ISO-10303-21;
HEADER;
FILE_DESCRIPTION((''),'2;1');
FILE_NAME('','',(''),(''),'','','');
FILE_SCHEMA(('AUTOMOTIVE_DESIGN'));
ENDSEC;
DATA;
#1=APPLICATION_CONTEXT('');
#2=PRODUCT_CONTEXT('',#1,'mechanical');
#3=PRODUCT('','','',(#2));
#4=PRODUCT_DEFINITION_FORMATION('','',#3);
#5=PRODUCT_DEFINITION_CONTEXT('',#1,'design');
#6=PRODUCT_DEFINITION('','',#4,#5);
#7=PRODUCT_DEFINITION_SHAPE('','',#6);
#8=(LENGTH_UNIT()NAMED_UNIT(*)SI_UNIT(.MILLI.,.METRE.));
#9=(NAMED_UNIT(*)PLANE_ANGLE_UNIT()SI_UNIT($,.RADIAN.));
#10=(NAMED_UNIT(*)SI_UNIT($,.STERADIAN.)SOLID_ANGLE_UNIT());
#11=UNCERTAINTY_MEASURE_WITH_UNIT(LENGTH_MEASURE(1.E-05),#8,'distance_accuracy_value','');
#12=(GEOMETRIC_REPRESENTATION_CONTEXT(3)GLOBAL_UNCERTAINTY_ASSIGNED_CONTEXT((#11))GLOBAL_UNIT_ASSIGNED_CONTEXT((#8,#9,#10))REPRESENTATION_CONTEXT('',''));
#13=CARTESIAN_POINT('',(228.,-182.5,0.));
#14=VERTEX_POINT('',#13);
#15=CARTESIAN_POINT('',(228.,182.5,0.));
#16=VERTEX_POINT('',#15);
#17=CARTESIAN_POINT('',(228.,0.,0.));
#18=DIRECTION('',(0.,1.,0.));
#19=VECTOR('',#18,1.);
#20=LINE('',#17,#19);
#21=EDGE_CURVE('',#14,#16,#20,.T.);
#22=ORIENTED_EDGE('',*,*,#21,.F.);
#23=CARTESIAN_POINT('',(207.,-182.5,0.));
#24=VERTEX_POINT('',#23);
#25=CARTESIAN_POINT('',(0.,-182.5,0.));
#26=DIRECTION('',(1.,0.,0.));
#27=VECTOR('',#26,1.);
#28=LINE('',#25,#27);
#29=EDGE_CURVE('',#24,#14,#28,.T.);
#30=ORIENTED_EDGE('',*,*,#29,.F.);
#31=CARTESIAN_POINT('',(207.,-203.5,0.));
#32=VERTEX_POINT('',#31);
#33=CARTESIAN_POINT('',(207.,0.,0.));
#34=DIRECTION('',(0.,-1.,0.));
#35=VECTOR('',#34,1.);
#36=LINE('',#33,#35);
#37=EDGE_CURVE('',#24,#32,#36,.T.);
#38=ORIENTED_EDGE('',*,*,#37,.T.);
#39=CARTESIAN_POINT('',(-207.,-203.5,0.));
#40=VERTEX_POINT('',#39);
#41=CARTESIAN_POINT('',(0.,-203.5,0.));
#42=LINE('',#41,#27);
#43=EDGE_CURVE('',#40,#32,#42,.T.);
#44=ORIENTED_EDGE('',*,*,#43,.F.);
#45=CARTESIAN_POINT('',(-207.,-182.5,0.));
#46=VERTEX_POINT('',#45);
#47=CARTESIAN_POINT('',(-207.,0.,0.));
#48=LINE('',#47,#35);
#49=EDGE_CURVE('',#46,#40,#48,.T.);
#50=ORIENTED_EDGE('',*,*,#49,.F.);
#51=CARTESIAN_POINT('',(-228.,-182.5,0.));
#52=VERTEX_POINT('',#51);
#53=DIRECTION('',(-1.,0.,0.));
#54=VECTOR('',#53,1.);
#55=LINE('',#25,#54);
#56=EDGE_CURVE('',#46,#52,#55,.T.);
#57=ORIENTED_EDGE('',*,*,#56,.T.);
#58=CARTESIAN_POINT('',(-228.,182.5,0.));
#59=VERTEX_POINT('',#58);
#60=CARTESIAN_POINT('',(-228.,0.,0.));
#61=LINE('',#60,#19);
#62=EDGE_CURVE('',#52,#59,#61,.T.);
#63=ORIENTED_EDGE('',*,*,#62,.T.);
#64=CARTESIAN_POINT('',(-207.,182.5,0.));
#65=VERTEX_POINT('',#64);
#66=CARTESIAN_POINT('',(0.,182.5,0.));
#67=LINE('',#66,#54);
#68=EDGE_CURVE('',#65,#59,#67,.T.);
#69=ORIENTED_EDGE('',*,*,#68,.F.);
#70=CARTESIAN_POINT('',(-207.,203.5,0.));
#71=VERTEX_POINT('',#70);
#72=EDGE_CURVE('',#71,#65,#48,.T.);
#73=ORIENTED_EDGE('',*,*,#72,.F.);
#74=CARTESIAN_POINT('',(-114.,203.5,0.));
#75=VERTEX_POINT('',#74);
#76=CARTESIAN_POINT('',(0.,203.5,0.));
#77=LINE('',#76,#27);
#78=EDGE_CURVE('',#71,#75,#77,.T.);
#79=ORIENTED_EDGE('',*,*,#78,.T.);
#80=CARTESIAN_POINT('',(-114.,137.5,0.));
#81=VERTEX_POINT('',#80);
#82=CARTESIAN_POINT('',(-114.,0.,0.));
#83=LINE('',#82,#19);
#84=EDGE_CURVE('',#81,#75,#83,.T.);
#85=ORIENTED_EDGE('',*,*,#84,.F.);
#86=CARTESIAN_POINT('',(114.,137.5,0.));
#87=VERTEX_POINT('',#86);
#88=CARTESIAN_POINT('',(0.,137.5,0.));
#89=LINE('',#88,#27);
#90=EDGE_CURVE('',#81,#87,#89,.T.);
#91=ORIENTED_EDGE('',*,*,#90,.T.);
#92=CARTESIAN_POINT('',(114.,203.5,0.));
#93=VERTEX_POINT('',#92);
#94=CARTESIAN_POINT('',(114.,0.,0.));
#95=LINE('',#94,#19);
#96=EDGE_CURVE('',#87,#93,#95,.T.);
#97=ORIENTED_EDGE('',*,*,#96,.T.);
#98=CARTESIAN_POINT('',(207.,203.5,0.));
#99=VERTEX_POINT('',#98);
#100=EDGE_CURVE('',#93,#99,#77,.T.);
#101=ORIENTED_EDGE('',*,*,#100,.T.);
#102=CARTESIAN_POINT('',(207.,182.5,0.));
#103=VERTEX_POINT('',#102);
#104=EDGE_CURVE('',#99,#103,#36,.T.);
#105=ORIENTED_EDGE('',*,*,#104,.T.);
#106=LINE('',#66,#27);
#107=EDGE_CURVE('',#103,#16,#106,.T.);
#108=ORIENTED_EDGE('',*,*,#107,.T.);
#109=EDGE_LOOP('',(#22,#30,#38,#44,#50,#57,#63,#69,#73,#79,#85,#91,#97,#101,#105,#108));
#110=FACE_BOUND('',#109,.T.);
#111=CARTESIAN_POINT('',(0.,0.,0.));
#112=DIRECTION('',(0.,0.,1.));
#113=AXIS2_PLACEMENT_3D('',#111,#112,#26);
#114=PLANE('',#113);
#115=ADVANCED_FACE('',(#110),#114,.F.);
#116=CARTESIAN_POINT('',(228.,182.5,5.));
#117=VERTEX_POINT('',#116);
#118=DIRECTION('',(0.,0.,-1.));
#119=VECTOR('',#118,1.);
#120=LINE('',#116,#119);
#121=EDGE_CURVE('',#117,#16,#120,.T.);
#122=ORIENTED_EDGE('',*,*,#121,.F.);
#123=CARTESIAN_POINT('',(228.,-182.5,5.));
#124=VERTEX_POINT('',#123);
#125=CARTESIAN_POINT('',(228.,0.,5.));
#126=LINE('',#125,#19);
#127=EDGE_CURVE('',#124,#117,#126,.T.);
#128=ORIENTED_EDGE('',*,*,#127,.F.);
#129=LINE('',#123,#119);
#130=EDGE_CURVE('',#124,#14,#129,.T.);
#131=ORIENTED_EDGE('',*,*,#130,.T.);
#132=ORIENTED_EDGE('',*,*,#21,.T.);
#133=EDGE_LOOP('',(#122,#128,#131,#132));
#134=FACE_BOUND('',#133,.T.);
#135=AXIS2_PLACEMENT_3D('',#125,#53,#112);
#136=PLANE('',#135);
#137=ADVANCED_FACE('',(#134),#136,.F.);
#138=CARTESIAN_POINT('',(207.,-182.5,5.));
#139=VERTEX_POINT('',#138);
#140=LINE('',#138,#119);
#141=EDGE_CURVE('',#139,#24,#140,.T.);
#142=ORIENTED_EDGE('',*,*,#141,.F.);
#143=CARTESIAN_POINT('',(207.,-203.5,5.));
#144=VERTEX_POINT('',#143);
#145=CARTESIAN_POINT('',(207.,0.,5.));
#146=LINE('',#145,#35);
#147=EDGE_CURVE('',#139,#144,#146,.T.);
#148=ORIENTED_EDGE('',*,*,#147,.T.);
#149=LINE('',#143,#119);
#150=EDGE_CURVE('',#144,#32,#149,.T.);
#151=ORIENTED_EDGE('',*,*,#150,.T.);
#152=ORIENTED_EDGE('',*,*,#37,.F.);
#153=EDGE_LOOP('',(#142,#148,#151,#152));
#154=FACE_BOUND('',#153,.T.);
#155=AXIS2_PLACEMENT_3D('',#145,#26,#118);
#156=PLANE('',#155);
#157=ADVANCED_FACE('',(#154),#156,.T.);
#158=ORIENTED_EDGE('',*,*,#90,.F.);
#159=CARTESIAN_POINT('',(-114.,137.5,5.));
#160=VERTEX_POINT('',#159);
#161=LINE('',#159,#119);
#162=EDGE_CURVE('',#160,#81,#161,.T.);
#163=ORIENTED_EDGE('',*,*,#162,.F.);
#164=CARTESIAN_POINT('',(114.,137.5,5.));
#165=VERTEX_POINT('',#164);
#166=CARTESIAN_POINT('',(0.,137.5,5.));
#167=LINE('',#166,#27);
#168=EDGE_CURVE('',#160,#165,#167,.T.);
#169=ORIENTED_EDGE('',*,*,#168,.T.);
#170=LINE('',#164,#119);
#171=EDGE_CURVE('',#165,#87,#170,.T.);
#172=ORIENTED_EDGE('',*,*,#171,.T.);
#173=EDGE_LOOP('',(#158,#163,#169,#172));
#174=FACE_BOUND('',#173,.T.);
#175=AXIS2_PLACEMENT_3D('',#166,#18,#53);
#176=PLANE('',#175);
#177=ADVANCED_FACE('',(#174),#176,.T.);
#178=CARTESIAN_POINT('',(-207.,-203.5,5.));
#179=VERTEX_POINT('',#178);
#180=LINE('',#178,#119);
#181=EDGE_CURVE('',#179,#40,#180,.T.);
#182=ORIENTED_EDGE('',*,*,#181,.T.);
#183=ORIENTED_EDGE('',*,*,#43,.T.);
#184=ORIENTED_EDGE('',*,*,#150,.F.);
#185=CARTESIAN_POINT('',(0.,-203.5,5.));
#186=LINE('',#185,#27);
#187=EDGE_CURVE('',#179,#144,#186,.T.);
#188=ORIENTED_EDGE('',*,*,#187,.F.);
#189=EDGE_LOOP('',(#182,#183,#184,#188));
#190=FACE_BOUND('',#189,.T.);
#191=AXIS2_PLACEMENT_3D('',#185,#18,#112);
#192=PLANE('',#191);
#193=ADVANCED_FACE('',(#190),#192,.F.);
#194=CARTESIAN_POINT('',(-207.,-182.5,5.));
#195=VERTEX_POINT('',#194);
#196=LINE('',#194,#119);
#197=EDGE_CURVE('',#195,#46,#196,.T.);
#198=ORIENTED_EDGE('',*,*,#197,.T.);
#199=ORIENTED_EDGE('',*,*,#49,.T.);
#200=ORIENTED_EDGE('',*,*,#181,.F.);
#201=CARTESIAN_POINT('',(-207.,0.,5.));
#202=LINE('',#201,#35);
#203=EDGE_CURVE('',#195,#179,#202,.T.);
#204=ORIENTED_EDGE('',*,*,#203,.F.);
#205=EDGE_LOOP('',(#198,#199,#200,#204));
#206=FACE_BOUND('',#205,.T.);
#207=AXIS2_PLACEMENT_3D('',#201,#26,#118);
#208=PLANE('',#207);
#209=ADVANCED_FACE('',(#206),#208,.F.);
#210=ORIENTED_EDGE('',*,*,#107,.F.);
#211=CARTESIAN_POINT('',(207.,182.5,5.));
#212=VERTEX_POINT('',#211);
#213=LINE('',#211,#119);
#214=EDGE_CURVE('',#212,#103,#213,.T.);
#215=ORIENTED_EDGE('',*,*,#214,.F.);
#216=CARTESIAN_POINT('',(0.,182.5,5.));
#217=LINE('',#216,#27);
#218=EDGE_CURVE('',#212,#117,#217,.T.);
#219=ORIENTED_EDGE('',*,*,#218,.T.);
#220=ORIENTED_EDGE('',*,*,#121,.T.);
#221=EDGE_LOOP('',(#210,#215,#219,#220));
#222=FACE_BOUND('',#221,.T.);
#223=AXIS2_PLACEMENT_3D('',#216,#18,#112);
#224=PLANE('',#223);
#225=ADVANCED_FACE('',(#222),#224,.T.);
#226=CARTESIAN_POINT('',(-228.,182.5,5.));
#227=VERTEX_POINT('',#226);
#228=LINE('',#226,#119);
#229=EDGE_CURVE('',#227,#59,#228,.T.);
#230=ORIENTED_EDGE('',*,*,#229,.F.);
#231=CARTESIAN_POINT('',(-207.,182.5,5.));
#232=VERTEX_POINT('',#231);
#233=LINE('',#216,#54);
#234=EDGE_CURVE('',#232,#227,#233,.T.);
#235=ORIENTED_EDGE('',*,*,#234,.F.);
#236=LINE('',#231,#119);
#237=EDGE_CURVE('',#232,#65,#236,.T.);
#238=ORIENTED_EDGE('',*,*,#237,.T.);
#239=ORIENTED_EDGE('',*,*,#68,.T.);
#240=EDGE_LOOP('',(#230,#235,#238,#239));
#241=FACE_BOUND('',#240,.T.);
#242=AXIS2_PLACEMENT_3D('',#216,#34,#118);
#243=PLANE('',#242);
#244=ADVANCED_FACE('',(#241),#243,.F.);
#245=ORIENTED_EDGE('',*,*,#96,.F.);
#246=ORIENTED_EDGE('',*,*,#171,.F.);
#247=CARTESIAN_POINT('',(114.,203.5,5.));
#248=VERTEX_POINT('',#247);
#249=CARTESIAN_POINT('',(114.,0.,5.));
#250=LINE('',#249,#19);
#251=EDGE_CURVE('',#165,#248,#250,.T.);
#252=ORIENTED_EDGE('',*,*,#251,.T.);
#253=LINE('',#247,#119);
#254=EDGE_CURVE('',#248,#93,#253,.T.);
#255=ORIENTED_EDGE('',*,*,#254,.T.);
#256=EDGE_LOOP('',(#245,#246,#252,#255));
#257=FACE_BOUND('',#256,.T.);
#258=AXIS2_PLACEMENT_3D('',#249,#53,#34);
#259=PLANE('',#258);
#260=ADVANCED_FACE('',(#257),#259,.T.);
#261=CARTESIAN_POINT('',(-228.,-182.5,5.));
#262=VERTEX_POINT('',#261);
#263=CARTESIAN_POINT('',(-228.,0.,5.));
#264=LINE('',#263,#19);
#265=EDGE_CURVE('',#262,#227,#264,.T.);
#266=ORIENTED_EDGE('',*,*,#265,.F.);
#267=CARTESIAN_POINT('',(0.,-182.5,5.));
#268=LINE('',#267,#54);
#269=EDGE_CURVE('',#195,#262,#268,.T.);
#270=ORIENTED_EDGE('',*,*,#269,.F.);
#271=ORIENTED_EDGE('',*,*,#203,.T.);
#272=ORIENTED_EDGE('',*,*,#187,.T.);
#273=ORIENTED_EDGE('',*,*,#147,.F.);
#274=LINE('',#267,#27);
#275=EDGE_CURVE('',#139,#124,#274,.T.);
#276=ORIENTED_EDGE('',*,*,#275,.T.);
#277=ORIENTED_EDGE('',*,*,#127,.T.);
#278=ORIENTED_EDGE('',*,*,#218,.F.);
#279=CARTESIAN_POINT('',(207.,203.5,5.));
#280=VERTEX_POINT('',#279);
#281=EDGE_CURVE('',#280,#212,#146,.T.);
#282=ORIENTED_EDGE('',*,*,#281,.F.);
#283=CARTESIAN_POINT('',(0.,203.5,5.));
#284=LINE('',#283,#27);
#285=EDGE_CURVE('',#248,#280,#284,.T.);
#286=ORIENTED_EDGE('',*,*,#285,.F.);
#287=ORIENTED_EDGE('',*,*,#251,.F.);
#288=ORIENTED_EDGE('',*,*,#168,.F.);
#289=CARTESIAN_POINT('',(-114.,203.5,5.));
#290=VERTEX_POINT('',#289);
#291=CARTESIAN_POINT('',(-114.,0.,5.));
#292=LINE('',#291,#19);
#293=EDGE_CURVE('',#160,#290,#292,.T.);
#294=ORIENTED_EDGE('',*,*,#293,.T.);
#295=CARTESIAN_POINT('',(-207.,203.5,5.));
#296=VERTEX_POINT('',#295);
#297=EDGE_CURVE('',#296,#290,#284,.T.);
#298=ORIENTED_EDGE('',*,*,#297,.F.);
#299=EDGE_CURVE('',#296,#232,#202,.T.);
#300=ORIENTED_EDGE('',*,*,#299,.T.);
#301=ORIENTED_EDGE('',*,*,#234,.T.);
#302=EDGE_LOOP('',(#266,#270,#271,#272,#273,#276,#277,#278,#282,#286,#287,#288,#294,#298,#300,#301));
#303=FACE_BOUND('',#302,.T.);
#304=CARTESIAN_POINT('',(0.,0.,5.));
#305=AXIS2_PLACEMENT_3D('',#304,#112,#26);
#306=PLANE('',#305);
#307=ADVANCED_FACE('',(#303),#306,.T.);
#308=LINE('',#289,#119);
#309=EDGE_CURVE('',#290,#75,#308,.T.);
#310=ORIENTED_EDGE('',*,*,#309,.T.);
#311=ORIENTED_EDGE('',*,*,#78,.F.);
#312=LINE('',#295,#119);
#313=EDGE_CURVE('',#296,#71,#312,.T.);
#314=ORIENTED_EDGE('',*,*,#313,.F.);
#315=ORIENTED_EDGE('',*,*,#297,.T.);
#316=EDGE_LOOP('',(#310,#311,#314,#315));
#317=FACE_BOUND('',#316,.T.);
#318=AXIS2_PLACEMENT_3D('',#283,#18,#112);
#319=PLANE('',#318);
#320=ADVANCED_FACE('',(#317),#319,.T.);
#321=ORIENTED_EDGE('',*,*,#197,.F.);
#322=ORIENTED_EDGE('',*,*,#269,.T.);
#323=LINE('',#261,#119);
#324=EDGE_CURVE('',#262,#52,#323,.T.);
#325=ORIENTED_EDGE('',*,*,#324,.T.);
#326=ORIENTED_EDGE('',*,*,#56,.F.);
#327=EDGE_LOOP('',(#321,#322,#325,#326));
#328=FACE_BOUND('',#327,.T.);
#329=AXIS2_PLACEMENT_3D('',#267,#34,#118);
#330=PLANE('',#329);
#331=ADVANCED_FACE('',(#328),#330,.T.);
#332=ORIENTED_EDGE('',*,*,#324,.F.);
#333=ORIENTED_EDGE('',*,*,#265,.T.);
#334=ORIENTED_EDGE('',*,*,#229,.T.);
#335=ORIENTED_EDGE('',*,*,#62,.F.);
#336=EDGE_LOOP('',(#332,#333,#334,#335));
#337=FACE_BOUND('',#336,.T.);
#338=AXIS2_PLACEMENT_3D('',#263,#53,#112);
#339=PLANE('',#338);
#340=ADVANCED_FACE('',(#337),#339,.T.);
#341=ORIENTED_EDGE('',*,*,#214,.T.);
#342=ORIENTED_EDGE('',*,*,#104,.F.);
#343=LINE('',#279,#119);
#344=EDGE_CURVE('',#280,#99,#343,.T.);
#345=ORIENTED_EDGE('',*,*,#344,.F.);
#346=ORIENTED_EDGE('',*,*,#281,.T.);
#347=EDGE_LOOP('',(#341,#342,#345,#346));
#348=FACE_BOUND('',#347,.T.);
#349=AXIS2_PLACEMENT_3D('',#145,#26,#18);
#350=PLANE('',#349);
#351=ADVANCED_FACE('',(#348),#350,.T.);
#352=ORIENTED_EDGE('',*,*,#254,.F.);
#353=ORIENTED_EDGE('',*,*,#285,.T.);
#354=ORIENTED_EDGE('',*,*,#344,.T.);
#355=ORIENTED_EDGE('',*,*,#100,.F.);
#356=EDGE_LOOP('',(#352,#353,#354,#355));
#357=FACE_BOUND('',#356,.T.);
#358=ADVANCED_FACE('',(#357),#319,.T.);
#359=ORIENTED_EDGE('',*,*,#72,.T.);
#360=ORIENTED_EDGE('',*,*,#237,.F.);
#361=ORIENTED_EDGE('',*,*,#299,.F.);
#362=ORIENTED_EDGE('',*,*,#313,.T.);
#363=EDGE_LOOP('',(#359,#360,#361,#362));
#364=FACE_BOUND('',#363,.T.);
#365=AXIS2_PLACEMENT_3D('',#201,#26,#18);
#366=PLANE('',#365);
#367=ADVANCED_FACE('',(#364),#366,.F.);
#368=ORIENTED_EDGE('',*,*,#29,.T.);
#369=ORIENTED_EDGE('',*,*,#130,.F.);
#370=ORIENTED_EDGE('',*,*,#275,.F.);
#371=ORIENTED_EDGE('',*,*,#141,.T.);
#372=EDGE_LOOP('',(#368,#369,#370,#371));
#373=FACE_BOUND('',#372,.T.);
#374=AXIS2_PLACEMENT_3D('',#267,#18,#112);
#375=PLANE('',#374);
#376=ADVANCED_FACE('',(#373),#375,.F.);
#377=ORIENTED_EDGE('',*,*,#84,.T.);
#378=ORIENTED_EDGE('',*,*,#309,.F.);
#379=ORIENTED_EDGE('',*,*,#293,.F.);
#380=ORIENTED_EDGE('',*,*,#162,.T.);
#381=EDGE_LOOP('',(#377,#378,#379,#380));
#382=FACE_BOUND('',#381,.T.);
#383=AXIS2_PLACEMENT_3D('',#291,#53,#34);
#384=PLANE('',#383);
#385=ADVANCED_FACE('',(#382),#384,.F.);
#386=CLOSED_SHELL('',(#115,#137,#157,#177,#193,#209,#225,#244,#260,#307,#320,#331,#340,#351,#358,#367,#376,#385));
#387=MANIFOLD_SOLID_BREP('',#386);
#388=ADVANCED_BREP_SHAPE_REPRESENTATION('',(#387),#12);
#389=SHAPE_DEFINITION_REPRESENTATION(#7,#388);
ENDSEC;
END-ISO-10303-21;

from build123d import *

# Parameters (mm, degrees)
BOSS_EXTRUDE1_DEPTH = 5


with BuildPart() as part:
    # Sketch1 → Boss-Extrude1 (new body)
    with BuildSketch(Plane.XY):
        Polygon((114, 137.5), (-114, 137.5), (-114, 203.5), (-207, 203.5), (-207, 182.5), (-228, 182.5), (-228, -182.5), (-207, -182.5), (-207, -203.5), (207, -203.5), (207, -182.5), (228, -182.5), (228, 182.5), (207, 182.5), (207, 203.5), (114, 203.5), align=None)
    extrude(amount=BOSS_EXTRUDE1_DEPTH)


solid = part.part
